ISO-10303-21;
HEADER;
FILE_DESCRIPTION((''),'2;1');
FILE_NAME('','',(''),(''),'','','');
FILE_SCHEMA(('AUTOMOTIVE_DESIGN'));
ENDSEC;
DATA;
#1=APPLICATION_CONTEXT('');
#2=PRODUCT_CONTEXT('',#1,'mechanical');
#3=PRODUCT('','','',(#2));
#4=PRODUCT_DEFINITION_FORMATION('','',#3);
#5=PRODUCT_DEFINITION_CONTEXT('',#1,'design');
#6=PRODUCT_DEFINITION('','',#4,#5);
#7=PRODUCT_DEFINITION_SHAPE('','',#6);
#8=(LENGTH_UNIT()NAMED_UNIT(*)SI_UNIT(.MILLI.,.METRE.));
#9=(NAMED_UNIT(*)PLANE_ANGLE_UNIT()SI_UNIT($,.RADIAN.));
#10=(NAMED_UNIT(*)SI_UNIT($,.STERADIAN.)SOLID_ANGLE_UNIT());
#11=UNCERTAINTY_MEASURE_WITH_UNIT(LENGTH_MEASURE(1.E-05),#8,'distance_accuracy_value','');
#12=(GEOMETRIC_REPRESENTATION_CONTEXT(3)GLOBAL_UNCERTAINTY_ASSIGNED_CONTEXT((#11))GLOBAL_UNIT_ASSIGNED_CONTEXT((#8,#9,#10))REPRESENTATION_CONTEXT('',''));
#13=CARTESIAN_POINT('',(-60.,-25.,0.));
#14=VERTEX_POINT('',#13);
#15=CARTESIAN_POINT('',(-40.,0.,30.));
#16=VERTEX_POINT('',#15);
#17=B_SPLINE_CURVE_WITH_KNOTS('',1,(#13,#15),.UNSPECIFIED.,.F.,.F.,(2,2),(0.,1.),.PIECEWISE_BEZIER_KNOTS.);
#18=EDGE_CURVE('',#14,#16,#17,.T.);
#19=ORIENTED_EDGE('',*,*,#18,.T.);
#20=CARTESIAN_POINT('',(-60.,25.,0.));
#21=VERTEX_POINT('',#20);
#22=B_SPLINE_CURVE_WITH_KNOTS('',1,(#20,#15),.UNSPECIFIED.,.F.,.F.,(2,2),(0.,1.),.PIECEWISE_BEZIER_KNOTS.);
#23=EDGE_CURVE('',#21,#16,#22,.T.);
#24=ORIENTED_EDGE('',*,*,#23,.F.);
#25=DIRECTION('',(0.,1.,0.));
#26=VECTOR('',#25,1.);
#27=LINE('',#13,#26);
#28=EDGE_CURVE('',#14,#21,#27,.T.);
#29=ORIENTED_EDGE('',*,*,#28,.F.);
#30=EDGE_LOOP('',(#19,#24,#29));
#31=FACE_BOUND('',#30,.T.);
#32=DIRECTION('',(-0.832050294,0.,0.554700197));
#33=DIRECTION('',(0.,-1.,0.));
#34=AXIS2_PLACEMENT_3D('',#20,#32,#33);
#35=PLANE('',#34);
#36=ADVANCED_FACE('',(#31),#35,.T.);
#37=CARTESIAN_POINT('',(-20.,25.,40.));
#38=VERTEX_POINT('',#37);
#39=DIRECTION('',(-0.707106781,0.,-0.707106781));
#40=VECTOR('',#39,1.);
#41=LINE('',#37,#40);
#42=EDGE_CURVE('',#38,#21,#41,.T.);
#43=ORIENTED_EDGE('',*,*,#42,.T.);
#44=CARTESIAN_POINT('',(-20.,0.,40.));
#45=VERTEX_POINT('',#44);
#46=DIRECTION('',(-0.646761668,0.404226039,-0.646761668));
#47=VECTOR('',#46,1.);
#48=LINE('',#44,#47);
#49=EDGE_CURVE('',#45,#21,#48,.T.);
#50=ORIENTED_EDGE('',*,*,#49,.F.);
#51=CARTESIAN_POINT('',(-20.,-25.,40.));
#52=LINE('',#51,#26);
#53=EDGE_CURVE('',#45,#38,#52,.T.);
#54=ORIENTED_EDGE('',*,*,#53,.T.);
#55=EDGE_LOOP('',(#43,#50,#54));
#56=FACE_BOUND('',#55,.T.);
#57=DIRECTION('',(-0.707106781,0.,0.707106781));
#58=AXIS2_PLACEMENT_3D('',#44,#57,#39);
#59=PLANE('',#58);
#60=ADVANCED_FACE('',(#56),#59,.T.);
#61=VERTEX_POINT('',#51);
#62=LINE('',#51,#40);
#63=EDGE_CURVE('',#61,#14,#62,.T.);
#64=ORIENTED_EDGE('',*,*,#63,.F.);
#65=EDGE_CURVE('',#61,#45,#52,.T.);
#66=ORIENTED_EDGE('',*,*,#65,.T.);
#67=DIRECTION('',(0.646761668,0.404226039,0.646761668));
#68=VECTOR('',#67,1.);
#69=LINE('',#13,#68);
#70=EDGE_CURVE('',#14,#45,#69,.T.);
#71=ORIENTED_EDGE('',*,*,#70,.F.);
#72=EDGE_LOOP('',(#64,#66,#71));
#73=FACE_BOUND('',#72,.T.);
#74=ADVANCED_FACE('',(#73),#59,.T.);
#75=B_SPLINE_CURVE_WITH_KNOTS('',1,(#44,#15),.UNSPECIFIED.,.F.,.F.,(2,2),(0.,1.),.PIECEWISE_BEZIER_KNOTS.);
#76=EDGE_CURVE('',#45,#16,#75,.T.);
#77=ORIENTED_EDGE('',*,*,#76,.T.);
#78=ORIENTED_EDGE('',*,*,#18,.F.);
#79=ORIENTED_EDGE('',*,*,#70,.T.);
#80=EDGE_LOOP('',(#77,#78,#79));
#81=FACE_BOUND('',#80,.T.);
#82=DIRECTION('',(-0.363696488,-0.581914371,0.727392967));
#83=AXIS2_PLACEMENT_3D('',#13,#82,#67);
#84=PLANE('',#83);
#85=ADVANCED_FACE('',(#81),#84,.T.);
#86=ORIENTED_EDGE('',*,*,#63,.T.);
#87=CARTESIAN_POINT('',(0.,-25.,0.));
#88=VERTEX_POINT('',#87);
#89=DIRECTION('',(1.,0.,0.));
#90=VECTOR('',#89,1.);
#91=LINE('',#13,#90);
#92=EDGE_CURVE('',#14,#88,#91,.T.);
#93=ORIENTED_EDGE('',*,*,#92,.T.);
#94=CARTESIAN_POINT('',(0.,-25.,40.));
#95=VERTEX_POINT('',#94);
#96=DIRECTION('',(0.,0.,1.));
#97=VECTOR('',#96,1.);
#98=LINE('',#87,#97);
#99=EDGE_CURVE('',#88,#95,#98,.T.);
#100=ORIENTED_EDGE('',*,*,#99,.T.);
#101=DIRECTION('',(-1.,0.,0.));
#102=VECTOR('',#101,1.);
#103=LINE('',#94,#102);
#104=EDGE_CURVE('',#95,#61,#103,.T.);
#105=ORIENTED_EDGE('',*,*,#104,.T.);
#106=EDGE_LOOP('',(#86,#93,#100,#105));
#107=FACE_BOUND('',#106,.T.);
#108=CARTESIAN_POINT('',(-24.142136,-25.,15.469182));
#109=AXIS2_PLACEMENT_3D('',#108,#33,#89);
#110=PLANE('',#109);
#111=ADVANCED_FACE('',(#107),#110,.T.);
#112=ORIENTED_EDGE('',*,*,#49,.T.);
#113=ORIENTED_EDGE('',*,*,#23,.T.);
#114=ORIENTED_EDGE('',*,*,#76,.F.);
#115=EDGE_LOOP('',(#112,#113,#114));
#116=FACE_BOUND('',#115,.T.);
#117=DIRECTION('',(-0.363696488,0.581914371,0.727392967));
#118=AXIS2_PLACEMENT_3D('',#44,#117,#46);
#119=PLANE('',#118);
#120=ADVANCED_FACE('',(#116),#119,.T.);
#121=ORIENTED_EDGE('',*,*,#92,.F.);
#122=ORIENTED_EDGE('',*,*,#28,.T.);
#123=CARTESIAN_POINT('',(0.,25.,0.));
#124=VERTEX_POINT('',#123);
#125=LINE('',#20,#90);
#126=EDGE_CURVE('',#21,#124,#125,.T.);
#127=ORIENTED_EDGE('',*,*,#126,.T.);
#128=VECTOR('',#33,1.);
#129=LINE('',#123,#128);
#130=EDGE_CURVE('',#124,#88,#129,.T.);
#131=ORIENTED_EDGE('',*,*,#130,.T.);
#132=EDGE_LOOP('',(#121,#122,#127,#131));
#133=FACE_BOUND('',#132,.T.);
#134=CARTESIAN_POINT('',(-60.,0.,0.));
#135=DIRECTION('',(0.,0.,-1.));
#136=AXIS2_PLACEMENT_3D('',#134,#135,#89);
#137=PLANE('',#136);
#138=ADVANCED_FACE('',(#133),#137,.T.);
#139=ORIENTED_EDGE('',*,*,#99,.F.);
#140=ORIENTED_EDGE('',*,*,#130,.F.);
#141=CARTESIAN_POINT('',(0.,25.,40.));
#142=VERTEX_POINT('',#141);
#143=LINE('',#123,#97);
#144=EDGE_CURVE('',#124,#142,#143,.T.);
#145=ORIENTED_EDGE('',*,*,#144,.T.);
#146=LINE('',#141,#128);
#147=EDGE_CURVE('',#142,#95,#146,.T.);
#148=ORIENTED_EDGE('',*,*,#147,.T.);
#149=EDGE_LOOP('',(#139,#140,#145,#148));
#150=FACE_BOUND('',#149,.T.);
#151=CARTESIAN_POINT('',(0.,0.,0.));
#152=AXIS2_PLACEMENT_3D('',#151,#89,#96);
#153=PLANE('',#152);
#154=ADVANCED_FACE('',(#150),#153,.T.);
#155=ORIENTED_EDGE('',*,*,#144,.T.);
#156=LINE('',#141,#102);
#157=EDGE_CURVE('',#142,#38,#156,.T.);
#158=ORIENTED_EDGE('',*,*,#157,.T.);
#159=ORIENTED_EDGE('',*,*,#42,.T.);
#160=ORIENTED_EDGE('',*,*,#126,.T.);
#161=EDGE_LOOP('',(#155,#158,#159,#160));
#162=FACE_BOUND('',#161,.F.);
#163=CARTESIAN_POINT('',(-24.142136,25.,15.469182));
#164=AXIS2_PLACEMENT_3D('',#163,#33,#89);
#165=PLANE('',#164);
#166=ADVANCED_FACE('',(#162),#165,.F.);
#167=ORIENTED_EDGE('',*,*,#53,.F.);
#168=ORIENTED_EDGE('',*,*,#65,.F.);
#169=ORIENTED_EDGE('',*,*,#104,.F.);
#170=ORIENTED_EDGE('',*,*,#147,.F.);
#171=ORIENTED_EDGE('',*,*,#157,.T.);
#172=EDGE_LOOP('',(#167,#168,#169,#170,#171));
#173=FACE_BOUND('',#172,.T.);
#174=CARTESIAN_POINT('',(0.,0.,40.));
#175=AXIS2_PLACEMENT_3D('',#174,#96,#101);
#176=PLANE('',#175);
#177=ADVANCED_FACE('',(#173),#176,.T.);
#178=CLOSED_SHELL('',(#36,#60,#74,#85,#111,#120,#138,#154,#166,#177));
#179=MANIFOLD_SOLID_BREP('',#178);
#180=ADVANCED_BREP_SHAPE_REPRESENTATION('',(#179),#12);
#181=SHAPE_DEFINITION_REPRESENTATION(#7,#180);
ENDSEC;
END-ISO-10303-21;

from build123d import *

# Parameters (mm, degrees)
F1_DEPTH      = 25
F1_DEPTH_BACK = 25


with BuildPart() as f1:
    # F0 (on Front) → F1 (new body, two sides)
    with BuildSketch(Plane.XZ) as f1_sk:
        Polygon((-60, 0), (0, 0), (0, 40), (-20, 40), align=None)
    extrude(amount=F1_DEPTH)
    extrude(f1_sk.sketch, amount=-F1_DEPTH_BACK)

    # F2 (on face) → F3 section 0
    with BuildSketch(Plane(origin=(-30, 0, 30), x_dir=(0, -1, 0), z_dir=(-0.707107, 0, 0.707107)), mode=Mode.PRIVATE) as f3_s0:
        Polygon((25, -42.426407), (0, 14.142136), (-25, -42.426407), align=None)
    loft([f3_s0.sketch, Vertex(-40, 0, 30)])


solid = f1.part
